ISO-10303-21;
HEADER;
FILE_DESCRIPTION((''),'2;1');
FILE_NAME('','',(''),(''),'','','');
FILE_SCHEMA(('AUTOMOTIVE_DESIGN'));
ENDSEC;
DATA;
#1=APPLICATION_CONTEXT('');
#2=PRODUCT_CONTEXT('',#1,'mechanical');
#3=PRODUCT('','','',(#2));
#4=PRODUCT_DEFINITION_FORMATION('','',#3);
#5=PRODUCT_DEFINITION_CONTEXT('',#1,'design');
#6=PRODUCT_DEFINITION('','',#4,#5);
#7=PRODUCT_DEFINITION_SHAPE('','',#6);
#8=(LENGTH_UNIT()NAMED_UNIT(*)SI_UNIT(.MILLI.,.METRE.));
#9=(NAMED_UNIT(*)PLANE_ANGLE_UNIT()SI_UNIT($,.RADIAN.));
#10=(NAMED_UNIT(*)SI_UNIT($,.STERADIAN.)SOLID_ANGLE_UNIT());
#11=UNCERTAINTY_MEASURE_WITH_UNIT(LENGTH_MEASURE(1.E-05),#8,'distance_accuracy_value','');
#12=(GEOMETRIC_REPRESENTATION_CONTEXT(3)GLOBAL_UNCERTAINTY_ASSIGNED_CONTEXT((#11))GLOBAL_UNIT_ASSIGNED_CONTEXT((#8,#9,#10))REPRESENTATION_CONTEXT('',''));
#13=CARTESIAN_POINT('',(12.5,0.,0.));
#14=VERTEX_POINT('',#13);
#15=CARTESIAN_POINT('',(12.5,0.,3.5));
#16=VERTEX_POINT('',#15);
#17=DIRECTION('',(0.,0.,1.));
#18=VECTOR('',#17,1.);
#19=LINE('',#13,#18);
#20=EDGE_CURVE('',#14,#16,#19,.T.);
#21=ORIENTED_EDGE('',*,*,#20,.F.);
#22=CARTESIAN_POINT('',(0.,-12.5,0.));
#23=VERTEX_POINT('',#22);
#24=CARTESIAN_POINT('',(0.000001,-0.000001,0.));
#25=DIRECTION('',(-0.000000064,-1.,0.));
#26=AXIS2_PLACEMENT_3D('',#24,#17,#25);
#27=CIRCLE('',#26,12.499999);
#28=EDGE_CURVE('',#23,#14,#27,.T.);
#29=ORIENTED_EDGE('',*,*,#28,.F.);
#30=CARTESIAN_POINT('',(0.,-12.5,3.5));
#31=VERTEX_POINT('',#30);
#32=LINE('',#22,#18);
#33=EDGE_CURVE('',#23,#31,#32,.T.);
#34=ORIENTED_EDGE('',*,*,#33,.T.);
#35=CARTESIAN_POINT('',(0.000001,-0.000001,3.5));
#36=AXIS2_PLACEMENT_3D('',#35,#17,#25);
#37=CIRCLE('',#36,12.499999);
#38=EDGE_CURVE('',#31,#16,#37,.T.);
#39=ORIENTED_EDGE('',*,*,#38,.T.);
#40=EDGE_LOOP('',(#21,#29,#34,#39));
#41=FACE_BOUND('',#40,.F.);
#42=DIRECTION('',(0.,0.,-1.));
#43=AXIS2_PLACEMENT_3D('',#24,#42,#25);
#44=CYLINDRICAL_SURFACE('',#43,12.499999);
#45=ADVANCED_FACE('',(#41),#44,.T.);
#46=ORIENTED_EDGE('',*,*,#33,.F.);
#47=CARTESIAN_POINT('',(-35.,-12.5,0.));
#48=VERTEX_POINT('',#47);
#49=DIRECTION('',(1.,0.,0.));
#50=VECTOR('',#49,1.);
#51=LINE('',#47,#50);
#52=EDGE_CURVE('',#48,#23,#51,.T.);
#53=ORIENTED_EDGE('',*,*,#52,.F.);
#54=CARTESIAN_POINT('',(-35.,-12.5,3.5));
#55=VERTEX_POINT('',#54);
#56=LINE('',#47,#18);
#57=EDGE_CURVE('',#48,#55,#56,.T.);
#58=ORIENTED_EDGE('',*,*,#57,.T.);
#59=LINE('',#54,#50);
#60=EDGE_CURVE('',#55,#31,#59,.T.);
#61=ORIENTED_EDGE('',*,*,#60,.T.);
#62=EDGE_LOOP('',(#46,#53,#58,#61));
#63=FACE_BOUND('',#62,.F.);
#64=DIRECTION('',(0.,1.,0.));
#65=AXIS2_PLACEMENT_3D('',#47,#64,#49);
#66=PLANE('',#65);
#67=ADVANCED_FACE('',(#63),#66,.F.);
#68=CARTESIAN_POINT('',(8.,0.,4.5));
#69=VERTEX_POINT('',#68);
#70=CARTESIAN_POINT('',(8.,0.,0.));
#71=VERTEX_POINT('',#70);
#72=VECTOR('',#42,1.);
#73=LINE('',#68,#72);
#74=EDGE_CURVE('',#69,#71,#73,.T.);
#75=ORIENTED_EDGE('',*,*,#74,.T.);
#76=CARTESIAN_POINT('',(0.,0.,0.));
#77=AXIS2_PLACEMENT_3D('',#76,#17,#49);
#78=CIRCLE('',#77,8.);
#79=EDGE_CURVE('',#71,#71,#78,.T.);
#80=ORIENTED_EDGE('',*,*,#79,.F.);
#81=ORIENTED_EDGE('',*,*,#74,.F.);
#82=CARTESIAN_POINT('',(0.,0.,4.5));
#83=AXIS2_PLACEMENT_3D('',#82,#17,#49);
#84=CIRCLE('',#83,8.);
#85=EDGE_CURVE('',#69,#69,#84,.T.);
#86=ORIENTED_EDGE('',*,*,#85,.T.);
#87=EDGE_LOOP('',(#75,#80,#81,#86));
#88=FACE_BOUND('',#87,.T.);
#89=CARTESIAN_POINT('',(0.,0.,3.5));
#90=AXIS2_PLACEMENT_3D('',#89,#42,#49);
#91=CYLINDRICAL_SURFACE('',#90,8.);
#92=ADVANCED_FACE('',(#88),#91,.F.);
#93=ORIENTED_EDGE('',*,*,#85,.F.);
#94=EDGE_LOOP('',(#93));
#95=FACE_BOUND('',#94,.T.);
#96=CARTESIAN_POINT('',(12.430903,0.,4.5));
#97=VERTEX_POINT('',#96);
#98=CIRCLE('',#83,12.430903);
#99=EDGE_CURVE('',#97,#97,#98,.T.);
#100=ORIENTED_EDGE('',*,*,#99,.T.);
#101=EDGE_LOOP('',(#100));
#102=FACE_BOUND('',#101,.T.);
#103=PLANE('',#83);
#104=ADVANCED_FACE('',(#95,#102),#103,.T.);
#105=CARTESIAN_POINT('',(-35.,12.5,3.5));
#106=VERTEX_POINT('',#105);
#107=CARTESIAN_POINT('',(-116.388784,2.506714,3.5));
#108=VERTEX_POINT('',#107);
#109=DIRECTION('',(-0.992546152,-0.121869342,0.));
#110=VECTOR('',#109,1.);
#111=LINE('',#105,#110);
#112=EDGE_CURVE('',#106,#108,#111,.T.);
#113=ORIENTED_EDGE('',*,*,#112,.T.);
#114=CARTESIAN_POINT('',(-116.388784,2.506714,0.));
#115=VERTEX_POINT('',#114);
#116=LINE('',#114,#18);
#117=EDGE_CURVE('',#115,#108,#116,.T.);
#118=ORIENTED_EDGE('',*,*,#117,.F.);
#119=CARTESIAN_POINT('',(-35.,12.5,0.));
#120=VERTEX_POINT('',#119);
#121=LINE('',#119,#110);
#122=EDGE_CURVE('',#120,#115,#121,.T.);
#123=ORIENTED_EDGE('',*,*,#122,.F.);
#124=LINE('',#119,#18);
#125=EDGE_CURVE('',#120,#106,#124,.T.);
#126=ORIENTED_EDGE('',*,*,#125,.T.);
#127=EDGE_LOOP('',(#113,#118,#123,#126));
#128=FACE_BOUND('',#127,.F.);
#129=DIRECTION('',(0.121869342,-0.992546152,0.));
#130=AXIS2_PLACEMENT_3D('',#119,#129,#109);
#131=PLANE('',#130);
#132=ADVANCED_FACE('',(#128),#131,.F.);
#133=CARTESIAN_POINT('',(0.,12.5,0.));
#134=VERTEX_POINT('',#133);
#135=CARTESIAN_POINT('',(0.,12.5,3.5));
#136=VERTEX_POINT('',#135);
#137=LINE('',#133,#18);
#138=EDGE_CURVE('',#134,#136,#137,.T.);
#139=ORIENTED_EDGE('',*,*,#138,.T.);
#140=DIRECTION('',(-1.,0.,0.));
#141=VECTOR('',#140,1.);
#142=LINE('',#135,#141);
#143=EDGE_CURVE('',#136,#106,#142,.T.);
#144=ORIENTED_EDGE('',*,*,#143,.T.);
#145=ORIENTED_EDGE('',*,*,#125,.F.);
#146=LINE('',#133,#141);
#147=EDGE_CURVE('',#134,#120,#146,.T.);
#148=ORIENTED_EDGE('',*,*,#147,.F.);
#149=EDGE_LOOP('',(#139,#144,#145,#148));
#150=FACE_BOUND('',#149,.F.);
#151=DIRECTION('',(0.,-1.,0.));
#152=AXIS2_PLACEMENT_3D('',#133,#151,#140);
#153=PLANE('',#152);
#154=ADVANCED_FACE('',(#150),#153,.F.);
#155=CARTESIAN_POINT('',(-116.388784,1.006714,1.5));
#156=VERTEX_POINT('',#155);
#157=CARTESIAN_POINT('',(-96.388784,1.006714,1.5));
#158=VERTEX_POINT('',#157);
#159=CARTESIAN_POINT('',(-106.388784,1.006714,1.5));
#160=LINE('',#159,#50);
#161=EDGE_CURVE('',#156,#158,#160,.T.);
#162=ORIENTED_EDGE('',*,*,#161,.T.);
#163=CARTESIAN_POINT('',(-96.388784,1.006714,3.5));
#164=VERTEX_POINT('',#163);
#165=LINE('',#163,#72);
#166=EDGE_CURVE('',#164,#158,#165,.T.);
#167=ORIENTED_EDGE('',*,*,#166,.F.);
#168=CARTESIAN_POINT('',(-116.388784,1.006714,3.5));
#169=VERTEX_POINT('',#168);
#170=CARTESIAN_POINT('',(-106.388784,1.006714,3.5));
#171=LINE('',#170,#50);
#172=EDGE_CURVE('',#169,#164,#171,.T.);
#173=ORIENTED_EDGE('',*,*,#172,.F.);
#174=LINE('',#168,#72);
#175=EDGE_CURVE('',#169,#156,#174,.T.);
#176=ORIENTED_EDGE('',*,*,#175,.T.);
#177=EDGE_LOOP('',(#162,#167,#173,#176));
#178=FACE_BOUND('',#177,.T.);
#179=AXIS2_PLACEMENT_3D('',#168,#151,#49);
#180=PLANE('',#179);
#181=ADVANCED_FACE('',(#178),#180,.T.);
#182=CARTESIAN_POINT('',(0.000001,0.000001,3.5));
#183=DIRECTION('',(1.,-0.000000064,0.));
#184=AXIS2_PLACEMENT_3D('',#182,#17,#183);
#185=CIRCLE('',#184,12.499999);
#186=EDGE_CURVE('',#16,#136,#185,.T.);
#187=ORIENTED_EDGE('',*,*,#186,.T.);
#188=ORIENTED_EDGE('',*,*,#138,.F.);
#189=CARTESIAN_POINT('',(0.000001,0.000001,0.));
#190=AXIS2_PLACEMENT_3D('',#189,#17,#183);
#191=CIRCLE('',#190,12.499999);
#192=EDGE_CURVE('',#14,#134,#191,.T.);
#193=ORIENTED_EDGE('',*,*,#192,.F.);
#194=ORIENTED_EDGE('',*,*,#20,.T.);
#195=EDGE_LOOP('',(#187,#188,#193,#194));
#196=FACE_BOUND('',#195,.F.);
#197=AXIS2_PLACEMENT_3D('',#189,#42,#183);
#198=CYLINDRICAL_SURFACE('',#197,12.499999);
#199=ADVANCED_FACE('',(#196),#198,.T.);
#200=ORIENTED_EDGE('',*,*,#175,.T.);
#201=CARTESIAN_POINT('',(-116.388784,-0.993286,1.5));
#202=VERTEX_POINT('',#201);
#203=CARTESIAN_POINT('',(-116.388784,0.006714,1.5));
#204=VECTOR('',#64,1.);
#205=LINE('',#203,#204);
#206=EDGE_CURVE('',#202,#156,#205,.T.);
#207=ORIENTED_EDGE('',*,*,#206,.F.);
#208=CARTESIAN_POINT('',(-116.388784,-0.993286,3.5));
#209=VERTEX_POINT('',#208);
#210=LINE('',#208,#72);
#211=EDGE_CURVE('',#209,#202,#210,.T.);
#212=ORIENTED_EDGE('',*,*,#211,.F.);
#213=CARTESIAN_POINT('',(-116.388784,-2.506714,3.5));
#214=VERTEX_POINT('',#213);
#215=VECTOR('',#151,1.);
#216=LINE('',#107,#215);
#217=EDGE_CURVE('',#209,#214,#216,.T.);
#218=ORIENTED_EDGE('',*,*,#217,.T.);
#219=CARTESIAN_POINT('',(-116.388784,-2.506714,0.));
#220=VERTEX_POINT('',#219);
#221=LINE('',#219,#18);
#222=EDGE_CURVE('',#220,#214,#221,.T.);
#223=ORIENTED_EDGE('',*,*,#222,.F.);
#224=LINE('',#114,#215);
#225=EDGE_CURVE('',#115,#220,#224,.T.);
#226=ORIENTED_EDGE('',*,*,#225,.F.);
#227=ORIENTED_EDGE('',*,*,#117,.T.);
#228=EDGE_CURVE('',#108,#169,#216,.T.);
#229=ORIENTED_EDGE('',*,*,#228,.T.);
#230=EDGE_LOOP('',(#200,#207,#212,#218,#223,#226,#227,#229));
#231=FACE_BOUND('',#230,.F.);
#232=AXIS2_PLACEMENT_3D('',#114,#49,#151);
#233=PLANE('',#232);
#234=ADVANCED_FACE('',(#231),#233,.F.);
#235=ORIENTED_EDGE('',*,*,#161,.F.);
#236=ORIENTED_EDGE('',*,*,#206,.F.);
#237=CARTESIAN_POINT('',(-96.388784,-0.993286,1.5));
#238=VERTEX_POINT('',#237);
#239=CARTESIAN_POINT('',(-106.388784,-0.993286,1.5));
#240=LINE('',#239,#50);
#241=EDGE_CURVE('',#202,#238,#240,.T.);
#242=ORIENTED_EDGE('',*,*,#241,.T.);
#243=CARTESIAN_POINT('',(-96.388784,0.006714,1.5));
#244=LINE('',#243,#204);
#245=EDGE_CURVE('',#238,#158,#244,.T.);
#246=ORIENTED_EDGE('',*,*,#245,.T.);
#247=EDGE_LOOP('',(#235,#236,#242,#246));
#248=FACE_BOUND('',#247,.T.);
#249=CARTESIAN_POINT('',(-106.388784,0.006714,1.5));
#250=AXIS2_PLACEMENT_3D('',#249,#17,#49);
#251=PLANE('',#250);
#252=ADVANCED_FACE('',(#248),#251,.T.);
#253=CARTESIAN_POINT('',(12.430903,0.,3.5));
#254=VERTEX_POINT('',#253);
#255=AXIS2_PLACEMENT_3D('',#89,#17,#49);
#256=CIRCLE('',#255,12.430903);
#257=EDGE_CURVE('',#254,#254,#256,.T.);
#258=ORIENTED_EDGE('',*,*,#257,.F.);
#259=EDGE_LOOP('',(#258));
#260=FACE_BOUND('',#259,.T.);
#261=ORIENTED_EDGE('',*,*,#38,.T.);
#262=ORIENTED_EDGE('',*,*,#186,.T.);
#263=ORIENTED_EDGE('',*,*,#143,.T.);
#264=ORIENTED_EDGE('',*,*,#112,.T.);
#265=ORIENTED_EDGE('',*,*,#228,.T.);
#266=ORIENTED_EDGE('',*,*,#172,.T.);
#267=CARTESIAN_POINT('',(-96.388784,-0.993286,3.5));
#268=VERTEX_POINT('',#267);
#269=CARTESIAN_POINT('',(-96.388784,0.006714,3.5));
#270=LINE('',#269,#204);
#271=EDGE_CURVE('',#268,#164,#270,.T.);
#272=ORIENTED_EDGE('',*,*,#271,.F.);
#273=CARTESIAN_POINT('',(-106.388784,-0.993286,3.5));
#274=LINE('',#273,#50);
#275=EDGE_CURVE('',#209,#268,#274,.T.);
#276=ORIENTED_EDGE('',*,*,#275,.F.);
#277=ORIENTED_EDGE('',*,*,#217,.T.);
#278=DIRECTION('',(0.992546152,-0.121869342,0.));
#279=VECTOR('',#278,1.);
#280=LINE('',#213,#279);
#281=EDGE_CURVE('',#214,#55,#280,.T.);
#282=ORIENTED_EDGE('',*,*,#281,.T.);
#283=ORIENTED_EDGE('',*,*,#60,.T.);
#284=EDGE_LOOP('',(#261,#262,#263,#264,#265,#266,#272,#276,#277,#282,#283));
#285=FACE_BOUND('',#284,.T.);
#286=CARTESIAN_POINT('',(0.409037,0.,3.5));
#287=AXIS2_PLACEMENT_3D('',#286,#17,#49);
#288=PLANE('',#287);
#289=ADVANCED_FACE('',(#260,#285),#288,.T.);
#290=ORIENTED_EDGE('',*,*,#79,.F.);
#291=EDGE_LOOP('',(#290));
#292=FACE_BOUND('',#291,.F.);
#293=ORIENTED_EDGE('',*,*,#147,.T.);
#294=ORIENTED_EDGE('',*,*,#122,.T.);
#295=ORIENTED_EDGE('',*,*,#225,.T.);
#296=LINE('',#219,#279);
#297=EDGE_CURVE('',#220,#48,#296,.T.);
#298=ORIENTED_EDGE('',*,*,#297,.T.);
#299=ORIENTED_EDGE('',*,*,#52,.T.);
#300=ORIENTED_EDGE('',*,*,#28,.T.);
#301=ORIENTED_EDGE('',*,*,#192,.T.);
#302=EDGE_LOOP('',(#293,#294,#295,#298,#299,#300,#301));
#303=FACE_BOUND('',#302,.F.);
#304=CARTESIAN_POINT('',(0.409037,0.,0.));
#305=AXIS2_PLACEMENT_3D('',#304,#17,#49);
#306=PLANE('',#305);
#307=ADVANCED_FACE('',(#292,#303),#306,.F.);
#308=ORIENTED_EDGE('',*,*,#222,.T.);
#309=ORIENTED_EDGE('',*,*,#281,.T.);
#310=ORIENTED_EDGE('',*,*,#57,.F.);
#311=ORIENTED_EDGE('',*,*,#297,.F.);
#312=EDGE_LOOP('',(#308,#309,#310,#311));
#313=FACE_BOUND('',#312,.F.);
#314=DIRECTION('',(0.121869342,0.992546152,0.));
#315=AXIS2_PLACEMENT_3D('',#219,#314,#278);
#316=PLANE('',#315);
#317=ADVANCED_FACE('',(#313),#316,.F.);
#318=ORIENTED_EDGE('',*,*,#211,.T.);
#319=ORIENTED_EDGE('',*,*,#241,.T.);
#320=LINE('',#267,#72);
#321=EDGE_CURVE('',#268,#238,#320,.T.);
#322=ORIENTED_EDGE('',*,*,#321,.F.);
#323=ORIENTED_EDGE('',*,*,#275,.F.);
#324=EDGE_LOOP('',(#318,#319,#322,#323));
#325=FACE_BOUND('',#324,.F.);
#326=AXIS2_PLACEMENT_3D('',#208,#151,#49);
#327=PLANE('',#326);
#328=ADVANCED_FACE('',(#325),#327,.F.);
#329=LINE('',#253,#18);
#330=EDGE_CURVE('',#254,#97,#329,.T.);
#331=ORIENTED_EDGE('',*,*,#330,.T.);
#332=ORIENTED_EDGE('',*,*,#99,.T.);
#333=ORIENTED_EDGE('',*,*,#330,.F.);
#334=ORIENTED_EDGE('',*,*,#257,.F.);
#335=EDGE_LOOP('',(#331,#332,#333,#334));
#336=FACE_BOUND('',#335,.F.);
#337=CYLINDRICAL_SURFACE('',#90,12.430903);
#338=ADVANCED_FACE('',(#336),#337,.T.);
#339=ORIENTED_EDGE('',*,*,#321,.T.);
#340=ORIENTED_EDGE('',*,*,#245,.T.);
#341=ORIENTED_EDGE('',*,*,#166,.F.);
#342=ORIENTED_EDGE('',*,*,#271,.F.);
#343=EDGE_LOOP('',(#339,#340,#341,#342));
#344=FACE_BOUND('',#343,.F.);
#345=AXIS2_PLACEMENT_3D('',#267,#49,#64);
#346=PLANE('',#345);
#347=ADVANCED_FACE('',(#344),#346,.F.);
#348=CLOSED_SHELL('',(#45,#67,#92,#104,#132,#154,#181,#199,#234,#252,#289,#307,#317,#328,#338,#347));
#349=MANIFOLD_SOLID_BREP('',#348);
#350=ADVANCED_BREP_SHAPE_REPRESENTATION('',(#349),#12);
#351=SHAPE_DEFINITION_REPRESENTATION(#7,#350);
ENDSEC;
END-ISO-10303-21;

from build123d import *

# Parameters (mm, degrees)
F0_R     = 8
F1_DEPTH = 3.5
F2_R     = 12.430903
F2_R_2   = 8
F3_DEPTH = 1
F4_W     = 20
F4_H     = 2
F5_DEPTH = 2


with BuildPart() as f1:
    # F0 (on Top) → F1 (new body)
    with BuildSketch(Plane.XY):
        with BuildLine():
            ThreePointArc((0, -12.5), (8.838835, -8.838835), (12.5, 0))
            ThreePointArc((12.5, 0), (8.838835, 8.838835), (0, 12.5))
            ThreePointArc((0, 12.5), (-12.5, 0), (0, -12.5))
        make_face()
        Circle(F0_R, mode=Mode.SUBTRACT)
        with BuildLine():
            ThreePointArc((0, -12.5), (-12.5, 0), (0, 12.5))
            Line((0, 12.5), (-35, 12.5))
            Line((-35, 12.5), (-116.388784, 2.506714))
            Line((-116.388784, 2.506714), (-116.388784, -2.506714))
            Line((-116.388784, -2.506714), (-35, -12.5))
            Line((-35, -12.5), (0, -12.5))
        make_face()
    extrude(amount=F1_DEPTH)

    # F2 (on face) → F3 (join)
    with BuildSketch(Plane.XY.offset(3.5)):
        Circle(F2_R)
        Circle(F2_R_2, mode=Mode.SUBTRACT)
    extrude(amount=F3_DEPTH)

    # F4 (on face) → F5 (cut)
    with BuildSketch(Plane.XY.offset(3.5)):
        with Locations((-106.388784, 0.006714)):
            Rectangle(F4_W, F4_H)
    extrude(amount=-F5_DEPTH, mode=Mode.SUBTRACT)


solid = f1.part
